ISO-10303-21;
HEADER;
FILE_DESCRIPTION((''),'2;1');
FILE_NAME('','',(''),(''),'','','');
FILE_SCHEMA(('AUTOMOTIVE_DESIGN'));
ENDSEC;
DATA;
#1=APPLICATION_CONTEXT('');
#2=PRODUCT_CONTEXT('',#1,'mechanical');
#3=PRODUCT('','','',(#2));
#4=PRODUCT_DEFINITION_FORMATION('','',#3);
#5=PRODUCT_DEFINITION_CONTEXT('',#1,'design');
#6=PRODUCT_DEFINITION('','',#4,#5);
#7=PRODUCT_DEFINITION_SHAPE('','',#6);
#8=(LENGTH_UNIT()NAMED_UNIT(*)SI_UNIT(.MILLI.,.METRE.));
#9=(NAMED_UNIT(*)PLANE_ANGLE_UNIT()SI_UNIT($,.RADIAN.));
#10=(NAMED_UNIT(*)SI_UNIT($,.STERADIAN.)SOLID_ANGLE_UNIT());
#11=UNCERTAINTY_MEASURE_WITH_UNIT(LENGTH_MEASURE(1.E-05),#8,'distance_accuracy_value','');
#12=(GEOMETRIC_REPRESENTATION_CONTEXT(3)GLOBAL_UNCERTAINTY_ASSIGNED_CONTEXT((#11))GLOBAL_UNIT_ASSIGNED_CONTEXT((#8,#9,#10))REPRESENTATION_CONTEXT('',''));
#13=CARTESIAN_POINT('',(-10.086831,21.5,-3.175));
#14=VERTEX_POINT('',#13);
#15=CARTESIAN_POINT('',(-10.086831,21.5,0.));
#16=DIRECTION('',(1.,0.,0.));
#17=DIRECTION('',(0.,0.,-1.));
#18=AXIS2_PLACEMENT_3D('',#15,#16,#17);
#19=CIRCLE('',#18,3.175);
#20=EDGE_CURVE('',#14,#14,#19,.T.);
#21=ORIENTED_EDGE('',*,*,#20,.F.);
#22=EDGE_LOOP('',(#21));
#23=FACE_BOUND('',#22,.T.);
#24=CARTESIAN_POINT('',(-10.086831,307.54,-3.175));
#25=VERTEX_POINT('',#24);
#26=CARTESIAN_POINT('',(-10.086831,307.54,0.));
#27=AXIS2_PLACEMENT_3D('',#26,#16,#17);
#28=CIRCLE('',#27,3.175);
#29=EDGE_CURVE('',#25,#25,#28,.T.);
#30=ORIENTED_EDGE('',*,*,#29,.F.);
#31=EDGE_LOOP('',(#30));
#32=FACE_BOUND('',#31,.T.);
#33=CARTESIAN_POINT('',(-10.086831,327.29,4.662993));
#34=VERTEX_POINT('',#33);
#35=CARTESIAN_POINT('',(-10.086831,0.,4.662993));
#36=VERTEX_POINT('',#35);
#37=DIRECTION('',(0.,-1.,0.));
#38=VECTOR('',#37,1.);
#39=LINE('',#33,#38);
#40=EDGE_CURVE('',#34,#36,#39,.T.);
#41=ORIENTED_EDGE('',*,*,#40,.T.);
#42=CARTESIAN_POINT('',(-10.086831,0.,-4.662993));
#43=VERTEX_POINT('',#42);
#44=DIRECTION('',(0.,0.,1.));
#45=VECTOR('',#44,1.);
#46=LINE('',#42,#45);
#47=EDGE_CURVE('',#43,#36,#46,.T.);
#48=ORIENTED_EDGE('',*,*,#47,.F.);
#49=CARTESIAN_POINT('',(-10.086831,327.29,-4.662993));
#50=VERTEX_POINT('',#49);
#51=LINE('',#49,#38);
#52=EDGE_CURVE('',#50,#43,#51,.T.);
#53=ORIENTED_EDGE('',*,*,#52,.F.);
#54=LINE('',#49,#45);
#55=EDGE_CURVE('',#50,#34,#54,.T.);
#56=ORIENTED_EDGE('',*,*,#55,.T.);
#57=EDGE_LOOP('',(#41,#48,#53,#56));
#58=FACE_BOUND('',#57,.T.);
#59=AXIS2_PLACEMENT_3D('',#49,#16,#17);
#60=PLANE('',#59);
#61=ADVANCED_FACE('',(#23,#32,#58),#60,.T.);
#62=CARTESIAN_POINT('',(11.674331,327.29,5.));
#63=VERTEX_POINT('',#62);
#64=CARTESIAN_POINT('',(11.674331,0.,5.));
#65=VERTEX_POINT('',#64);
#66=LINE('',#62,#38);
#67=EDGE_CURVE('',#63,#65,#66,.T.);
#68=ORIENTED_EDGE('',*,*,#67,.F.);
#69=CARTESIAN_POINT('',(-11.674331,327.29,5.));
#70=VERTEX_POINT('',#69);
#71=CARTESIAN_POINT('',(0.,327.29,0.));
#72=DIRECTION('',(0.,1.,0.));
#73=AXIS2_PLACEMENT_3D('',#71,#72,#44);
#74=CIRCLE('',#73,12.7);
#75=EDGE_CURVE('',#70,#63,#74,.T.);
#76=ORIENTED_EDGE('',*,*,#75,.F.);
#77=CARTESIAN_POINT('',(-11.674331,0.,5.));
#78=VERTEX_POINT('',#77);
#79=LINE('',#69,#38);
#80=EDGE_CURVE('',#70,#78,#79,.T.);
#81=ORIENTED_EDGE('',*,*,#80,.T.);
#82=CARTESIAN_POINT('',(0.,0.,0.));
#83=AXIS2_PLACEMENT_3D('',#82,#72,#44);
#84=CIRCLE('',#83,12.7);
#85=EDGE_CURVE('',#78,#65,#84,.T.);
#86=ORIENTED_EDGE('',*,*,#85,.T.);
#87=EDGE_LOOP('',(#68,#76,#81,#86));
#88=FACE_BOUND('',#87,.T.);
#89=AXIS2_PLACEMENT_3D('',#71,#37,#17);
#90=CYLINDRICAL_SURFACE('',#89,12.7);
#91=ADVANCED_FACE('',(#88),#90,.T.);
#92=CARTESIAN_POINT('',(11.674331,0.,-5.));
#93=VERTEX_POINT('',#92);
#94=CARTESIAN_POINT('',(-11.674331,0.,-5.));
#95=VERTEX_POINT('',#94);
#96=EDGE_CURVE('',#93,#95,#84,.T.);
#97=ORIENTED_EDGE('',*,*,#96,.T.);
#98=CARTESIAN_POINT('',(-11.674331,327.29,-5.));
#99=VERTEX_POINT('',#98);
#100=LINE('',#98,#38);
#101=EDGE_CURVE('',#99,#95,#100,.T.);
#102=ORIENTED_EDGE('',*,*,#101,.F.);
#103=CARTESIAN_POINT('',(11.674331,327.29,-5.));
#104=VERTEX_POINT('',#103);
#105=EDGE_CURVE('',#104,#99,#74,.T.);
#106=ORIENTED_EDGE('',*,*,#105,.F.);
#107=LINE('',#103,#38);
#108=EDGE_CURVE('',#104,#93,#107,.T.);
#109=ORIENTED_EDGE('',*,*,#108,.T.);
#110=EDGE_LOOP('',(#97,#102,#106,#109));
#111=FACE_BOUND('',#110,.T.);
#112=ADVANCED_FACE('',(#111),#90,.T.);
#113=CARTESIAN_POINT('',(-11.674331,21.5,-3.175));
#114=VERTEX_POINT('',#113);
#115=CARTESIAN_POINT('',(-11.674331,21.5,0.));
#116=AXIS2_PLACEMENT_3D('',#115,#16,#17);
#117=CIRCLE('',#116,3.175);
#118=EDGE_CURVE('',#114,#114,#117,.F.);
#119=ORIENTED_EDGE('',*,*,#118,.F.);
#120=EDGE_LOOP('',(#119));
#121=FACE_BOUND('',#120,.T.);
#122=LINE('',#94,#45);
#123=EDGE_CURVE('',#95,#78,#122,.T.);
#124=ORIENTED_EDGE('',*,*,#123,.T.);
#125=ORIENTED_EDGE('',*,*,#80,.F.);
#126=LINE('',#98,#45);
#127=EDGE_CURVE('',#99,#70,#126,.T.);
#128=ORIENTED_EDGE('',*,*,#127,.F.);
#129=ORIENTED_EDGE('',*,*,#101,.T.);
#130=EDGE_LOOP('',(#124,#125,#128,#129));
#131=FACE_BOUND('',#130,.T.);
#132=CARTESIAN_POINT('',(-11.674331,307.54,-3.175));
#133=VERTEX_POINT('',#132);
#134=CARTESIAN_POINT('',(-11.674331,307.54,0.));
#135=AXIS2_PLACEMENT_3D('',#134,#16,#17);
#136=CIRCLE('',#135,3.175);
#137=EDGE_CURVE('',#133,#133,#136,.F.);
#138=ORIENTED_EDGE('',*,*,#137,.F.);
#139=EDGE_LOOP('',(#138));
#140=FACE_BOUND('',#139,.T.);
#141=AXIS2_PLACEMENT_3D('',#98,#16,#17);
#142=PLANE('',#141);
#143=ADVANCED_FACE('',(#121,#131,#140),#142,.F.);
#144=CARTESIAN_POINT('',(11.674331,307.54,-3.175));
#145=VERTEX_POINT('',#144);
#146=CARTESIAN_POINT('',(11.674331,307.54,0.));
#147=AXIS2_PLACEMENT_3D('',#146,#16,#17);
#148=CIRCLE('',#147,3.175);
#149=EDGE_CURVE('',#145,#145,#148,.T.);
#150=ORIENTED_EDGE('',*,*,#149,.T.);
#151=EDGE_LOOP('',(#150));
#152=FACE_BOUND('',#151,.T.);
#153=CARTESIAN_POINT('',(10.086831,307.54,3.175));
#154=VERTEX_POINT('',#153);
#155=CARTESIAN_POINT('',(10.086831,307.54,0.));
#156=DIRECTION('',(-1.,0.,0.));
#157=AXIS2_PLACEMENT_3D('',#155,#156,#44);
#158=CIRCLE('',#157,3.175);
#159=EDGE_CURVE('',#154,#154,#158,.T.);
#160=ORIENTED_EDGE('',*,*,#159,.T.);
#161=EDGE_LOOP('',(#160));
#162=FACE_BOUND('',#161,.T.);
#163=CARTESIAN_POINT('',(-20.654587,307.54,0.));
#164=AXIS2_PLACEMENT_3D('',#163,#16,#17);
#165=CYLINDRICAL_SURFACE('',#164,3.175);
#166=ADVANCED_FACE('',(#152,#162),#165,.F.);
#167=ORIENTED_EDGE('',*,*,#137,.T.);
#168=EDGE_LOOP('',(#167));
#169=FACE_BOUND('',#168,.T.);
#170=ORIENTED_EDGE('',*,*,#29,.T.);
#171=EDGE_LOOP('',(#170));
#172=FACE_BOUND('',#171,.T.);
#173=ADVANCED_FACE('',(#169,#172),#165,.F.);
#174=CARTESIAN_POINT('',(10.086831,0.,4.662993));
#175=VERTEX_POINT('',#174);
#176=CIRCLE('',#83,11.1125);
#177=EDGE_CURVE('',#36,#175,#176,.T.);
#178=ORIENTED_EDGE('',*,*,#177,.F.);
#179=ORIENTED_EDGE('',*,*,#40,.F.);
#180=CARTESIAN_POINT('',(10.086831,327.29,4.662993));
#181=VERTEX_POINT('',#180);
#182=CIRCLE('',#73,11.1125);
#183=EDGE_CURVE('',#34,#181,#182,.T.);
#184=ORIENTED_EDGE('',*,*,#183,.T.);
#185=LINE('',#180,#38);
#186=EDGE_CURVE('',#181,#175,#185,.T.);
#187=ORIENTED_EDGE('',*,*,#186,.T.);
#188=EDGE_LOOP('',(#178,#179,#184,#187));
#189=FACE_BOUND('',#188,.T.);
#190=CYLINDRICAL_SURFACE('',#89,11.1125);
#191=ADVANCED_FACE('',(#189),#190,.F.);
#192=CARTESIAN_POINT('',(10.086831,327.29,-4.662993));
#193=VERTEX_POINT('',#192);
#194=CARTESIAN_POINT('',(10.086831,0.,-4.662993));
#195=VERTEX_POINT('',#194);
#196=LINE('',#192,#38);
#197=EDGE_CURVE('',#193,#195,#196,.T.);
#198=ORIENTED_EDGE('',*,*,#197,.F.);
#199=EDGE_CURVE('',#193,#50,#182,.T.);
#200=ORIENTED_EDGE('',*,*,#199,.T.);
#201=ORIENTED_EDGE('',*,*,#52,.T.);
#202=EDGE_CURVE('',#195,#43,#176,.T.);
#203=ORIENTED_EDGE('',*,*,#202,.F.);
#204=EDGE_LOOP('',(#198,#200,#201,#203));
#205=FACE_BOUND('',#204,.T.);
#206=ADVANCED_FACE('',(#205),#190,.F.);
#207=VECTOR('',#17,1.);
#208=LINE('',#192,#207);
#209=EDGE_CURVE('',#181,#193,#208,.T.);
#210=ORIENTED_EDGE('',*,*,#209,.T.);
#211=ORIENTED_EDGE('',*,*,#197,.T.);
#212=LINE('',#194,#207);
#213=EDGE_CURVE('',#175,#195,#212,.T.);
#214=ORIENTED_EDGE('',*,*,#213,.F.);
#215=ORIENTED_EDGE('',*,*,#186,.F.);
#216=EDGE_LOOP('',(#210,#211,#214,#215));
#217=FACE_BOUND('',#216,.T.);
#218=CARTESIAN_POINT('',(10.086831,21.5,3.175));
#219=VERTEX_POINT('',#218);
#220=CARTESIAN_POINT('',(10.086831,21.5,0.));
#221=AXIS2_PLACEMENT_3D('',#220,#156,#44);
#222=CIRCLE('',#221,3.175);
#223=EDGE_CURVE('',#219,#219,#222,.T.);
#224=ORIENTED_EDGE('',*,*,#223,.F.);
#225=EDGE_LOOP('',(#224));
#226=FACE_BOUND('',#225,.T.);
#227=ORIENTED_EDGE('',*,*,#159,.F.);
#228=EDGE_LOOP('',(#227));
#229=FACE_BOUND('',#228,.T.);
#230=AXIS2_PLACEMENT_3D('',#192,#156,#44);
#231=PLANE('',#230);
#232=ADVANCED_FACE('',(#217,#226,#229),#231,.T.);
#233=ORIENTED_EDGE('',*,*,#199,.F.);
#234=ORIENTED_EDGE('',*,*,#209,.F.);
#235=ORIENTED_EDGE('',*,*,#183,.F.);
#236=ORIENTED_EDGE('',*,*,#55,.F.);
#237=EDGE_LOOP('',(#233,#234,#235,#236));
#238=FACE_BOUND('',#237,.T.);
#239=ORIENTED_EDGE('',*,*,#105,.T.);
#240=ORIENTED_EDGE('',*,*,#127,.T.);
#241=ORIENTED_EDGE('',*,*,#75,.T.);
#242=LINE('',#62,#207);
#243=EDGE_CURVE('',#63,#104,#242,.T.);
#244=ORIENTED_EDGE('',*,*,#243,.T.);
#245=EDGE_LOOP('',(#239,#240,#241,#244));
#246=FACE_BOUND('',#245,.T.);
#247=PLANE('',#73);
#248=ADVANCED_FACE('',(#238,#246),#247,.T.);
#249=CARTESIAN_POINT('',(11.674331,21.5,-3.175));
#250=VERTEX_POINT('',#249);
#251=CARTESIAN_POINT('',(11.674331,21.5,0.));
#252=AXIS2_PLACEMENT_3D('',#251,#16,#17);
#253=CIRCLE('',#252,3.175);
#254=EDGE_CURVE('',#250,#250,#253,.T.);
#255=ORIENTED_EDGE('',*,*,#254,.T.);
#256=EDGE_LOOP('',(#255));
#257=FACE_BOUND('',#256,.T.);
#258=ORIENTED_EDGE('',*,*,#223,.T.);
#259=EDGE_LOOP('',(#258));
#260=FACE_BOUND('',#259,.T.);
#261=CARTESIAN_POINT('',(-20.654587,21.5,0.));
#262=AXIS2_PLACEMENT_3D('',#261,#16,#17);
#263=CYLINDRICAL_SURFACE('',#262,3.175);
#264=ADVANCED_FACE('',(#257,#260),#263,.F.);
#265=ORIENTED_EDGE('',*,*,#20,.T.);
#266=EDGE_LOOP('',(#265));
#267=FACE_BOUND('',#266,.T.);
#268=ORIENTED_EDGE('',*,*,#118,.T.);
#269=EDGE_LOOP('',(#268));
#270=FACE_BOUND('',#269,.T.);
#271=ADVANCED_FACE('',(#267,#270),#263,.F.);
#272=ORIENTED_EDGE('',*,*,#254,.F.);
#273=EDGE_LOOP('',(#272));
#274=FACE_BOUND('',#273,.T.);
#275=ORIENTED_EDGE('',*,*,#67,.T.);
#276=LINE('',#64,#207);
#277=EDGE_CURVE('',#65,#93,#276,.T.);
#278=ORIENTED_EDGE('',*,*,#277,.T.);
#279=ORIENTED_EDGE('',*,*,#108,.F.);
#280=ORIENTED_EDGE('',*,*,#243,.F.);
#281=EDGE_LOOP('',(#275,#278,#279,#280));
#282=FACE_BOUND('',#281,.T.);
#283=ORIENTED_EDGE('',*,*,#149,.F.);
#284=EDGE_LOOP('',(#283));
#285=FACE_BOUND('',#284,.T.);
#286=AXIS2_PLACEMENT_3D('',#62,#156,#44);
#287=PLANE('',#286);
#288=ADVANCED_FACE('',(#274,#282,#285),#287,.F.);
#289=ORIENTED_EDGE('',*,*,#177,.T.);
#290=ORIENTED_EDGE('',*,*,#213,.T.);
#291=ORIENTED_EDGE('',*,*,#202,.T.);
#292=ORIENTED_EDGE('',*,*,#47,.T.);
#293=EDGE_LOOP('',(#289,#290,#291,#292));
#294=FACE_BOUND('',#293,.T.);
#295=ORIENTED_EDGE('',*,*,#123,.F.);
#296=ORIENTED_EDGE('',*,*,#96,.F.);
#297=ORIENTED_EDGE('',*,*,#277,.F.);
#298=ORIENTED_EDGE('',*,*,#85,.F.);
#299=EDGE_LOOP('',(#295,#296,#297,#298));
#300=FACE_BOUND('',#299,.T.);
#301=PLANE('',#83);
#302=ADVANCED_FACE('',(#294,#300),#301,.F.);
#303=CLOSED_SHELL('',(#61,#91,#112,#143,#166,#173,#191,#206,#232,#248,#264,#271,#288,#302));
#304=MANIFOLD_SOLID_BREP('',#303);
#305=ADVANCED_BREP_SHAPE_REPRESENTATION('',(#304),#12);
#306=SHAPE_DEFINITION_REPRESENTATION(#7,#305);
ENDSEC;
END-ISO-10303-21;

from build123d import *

# Parameters (mm, degrees)
BOSS_EXTRUDE1_DEPTH = 327.29
CUT_EXTRUDE1_REACH  = 330.367
SKETCH2_R           = 3.175


with BuildPart() as part:
    # Sketch1 → Boss-Extrude1 (new body)
    with BuildSketch(Plane(origin=(0, 0, 0), x_dir=(1, 0, 0), z_dir=(0, 1, 0))):
        with BuildLine():
            Line((11.674330816, -5), (11.674330816, 5))
            ThreePointArc((11.674330816, 5), (0, 12.7), (-11.674330816, 5))
            Line((-11.674330816, 5), (-11.674330816, -5))
            ThreePointArc((-11.674330816, -5), (0, -12.7), (11.674330816, -5))
        make_face()
        with BuildLine():
            Line((10.086830816, 4.662992638), (10.086830816, -4.662992638))
            ThreePointArc((10.086830816, -4.662992638), (0, -11.1125), (-10.086830816, -4.662992638))
            Line((-10.086830816, -4.662992638), (-10.086830816, 4.662992638))
            ThreePointArc((-10.086830816, 4.662992638), (0, 11.1125), (10.086830816, 4.662992638))
        make_face(mode=Mode.SUBTRACT)
    extrude(amount=BOSS_EXTRUDE1_DEPTH)

    # Cut-Extrude1: up to this face of the body (flat: up to its plane)
    cut_extrude1_end = Plane(part.part.faces().sort_by_distance((-11.674330816, 163.645, 0))[0])
    # Sketch2 → Cut-Extrude1 (cut, up to the picked face)
    with BuildSketch(Plane(origin=(11.674330816, 0, 0), x_dir=(0, 0, -1), z_dir=(1, 0, 0)), mode=Mode.PRIVATE) as cut_extrude1_sk1:
        with Locations((0, 21.5)):
            Circle(SKETCH2_R)
    cut_extrude1_tool1 = split(extrude(cut_extrude1_sk1.sketch, amount=-CUT_EXTRUDE1_REACH, mode=Mode.PRIVATE), bisect_by=cut_extrude1_end, keep=Keep.BOTH, mode=Mode.PRIVATE)
    # Sketch2 → Cut-Extrude1 (cut, up to the picked face)
    with BuildSketch(Plane(origin=(11.674330816, 0, 0), x_dir=(0, 0, -1), z_dir=(1, 0, 0)), mode=Mode.PRIVATE) as cut_extrude1_sk2:
        with Locations((0, 307.54)):
            Circle(SKETCH2_R)
    cut_extrude1_tool2 = split(extrude(cut_extrude1_sk2.sketch, amount=-CUT_EXTRUDE1_REACH, mode=Mode.PRIVATE), bisect_by=cut_extrude1_end, keep=Keep.BOTH, mode=Mode.PRIVATE)
    add(cut_extrude1_tool1.solids().sort_by(Axis((11.674331, 21.5, 0), (-1, 0, 0)))[0], mode=Mode.SUBTRACT)
    add(cut_extrude1_tool2.solids().sort_by(Axis((11.674331, 307.54, 0), (-1, 0, 0)))[0], mode=Mode.SUBTRACT)


solid = part.part
